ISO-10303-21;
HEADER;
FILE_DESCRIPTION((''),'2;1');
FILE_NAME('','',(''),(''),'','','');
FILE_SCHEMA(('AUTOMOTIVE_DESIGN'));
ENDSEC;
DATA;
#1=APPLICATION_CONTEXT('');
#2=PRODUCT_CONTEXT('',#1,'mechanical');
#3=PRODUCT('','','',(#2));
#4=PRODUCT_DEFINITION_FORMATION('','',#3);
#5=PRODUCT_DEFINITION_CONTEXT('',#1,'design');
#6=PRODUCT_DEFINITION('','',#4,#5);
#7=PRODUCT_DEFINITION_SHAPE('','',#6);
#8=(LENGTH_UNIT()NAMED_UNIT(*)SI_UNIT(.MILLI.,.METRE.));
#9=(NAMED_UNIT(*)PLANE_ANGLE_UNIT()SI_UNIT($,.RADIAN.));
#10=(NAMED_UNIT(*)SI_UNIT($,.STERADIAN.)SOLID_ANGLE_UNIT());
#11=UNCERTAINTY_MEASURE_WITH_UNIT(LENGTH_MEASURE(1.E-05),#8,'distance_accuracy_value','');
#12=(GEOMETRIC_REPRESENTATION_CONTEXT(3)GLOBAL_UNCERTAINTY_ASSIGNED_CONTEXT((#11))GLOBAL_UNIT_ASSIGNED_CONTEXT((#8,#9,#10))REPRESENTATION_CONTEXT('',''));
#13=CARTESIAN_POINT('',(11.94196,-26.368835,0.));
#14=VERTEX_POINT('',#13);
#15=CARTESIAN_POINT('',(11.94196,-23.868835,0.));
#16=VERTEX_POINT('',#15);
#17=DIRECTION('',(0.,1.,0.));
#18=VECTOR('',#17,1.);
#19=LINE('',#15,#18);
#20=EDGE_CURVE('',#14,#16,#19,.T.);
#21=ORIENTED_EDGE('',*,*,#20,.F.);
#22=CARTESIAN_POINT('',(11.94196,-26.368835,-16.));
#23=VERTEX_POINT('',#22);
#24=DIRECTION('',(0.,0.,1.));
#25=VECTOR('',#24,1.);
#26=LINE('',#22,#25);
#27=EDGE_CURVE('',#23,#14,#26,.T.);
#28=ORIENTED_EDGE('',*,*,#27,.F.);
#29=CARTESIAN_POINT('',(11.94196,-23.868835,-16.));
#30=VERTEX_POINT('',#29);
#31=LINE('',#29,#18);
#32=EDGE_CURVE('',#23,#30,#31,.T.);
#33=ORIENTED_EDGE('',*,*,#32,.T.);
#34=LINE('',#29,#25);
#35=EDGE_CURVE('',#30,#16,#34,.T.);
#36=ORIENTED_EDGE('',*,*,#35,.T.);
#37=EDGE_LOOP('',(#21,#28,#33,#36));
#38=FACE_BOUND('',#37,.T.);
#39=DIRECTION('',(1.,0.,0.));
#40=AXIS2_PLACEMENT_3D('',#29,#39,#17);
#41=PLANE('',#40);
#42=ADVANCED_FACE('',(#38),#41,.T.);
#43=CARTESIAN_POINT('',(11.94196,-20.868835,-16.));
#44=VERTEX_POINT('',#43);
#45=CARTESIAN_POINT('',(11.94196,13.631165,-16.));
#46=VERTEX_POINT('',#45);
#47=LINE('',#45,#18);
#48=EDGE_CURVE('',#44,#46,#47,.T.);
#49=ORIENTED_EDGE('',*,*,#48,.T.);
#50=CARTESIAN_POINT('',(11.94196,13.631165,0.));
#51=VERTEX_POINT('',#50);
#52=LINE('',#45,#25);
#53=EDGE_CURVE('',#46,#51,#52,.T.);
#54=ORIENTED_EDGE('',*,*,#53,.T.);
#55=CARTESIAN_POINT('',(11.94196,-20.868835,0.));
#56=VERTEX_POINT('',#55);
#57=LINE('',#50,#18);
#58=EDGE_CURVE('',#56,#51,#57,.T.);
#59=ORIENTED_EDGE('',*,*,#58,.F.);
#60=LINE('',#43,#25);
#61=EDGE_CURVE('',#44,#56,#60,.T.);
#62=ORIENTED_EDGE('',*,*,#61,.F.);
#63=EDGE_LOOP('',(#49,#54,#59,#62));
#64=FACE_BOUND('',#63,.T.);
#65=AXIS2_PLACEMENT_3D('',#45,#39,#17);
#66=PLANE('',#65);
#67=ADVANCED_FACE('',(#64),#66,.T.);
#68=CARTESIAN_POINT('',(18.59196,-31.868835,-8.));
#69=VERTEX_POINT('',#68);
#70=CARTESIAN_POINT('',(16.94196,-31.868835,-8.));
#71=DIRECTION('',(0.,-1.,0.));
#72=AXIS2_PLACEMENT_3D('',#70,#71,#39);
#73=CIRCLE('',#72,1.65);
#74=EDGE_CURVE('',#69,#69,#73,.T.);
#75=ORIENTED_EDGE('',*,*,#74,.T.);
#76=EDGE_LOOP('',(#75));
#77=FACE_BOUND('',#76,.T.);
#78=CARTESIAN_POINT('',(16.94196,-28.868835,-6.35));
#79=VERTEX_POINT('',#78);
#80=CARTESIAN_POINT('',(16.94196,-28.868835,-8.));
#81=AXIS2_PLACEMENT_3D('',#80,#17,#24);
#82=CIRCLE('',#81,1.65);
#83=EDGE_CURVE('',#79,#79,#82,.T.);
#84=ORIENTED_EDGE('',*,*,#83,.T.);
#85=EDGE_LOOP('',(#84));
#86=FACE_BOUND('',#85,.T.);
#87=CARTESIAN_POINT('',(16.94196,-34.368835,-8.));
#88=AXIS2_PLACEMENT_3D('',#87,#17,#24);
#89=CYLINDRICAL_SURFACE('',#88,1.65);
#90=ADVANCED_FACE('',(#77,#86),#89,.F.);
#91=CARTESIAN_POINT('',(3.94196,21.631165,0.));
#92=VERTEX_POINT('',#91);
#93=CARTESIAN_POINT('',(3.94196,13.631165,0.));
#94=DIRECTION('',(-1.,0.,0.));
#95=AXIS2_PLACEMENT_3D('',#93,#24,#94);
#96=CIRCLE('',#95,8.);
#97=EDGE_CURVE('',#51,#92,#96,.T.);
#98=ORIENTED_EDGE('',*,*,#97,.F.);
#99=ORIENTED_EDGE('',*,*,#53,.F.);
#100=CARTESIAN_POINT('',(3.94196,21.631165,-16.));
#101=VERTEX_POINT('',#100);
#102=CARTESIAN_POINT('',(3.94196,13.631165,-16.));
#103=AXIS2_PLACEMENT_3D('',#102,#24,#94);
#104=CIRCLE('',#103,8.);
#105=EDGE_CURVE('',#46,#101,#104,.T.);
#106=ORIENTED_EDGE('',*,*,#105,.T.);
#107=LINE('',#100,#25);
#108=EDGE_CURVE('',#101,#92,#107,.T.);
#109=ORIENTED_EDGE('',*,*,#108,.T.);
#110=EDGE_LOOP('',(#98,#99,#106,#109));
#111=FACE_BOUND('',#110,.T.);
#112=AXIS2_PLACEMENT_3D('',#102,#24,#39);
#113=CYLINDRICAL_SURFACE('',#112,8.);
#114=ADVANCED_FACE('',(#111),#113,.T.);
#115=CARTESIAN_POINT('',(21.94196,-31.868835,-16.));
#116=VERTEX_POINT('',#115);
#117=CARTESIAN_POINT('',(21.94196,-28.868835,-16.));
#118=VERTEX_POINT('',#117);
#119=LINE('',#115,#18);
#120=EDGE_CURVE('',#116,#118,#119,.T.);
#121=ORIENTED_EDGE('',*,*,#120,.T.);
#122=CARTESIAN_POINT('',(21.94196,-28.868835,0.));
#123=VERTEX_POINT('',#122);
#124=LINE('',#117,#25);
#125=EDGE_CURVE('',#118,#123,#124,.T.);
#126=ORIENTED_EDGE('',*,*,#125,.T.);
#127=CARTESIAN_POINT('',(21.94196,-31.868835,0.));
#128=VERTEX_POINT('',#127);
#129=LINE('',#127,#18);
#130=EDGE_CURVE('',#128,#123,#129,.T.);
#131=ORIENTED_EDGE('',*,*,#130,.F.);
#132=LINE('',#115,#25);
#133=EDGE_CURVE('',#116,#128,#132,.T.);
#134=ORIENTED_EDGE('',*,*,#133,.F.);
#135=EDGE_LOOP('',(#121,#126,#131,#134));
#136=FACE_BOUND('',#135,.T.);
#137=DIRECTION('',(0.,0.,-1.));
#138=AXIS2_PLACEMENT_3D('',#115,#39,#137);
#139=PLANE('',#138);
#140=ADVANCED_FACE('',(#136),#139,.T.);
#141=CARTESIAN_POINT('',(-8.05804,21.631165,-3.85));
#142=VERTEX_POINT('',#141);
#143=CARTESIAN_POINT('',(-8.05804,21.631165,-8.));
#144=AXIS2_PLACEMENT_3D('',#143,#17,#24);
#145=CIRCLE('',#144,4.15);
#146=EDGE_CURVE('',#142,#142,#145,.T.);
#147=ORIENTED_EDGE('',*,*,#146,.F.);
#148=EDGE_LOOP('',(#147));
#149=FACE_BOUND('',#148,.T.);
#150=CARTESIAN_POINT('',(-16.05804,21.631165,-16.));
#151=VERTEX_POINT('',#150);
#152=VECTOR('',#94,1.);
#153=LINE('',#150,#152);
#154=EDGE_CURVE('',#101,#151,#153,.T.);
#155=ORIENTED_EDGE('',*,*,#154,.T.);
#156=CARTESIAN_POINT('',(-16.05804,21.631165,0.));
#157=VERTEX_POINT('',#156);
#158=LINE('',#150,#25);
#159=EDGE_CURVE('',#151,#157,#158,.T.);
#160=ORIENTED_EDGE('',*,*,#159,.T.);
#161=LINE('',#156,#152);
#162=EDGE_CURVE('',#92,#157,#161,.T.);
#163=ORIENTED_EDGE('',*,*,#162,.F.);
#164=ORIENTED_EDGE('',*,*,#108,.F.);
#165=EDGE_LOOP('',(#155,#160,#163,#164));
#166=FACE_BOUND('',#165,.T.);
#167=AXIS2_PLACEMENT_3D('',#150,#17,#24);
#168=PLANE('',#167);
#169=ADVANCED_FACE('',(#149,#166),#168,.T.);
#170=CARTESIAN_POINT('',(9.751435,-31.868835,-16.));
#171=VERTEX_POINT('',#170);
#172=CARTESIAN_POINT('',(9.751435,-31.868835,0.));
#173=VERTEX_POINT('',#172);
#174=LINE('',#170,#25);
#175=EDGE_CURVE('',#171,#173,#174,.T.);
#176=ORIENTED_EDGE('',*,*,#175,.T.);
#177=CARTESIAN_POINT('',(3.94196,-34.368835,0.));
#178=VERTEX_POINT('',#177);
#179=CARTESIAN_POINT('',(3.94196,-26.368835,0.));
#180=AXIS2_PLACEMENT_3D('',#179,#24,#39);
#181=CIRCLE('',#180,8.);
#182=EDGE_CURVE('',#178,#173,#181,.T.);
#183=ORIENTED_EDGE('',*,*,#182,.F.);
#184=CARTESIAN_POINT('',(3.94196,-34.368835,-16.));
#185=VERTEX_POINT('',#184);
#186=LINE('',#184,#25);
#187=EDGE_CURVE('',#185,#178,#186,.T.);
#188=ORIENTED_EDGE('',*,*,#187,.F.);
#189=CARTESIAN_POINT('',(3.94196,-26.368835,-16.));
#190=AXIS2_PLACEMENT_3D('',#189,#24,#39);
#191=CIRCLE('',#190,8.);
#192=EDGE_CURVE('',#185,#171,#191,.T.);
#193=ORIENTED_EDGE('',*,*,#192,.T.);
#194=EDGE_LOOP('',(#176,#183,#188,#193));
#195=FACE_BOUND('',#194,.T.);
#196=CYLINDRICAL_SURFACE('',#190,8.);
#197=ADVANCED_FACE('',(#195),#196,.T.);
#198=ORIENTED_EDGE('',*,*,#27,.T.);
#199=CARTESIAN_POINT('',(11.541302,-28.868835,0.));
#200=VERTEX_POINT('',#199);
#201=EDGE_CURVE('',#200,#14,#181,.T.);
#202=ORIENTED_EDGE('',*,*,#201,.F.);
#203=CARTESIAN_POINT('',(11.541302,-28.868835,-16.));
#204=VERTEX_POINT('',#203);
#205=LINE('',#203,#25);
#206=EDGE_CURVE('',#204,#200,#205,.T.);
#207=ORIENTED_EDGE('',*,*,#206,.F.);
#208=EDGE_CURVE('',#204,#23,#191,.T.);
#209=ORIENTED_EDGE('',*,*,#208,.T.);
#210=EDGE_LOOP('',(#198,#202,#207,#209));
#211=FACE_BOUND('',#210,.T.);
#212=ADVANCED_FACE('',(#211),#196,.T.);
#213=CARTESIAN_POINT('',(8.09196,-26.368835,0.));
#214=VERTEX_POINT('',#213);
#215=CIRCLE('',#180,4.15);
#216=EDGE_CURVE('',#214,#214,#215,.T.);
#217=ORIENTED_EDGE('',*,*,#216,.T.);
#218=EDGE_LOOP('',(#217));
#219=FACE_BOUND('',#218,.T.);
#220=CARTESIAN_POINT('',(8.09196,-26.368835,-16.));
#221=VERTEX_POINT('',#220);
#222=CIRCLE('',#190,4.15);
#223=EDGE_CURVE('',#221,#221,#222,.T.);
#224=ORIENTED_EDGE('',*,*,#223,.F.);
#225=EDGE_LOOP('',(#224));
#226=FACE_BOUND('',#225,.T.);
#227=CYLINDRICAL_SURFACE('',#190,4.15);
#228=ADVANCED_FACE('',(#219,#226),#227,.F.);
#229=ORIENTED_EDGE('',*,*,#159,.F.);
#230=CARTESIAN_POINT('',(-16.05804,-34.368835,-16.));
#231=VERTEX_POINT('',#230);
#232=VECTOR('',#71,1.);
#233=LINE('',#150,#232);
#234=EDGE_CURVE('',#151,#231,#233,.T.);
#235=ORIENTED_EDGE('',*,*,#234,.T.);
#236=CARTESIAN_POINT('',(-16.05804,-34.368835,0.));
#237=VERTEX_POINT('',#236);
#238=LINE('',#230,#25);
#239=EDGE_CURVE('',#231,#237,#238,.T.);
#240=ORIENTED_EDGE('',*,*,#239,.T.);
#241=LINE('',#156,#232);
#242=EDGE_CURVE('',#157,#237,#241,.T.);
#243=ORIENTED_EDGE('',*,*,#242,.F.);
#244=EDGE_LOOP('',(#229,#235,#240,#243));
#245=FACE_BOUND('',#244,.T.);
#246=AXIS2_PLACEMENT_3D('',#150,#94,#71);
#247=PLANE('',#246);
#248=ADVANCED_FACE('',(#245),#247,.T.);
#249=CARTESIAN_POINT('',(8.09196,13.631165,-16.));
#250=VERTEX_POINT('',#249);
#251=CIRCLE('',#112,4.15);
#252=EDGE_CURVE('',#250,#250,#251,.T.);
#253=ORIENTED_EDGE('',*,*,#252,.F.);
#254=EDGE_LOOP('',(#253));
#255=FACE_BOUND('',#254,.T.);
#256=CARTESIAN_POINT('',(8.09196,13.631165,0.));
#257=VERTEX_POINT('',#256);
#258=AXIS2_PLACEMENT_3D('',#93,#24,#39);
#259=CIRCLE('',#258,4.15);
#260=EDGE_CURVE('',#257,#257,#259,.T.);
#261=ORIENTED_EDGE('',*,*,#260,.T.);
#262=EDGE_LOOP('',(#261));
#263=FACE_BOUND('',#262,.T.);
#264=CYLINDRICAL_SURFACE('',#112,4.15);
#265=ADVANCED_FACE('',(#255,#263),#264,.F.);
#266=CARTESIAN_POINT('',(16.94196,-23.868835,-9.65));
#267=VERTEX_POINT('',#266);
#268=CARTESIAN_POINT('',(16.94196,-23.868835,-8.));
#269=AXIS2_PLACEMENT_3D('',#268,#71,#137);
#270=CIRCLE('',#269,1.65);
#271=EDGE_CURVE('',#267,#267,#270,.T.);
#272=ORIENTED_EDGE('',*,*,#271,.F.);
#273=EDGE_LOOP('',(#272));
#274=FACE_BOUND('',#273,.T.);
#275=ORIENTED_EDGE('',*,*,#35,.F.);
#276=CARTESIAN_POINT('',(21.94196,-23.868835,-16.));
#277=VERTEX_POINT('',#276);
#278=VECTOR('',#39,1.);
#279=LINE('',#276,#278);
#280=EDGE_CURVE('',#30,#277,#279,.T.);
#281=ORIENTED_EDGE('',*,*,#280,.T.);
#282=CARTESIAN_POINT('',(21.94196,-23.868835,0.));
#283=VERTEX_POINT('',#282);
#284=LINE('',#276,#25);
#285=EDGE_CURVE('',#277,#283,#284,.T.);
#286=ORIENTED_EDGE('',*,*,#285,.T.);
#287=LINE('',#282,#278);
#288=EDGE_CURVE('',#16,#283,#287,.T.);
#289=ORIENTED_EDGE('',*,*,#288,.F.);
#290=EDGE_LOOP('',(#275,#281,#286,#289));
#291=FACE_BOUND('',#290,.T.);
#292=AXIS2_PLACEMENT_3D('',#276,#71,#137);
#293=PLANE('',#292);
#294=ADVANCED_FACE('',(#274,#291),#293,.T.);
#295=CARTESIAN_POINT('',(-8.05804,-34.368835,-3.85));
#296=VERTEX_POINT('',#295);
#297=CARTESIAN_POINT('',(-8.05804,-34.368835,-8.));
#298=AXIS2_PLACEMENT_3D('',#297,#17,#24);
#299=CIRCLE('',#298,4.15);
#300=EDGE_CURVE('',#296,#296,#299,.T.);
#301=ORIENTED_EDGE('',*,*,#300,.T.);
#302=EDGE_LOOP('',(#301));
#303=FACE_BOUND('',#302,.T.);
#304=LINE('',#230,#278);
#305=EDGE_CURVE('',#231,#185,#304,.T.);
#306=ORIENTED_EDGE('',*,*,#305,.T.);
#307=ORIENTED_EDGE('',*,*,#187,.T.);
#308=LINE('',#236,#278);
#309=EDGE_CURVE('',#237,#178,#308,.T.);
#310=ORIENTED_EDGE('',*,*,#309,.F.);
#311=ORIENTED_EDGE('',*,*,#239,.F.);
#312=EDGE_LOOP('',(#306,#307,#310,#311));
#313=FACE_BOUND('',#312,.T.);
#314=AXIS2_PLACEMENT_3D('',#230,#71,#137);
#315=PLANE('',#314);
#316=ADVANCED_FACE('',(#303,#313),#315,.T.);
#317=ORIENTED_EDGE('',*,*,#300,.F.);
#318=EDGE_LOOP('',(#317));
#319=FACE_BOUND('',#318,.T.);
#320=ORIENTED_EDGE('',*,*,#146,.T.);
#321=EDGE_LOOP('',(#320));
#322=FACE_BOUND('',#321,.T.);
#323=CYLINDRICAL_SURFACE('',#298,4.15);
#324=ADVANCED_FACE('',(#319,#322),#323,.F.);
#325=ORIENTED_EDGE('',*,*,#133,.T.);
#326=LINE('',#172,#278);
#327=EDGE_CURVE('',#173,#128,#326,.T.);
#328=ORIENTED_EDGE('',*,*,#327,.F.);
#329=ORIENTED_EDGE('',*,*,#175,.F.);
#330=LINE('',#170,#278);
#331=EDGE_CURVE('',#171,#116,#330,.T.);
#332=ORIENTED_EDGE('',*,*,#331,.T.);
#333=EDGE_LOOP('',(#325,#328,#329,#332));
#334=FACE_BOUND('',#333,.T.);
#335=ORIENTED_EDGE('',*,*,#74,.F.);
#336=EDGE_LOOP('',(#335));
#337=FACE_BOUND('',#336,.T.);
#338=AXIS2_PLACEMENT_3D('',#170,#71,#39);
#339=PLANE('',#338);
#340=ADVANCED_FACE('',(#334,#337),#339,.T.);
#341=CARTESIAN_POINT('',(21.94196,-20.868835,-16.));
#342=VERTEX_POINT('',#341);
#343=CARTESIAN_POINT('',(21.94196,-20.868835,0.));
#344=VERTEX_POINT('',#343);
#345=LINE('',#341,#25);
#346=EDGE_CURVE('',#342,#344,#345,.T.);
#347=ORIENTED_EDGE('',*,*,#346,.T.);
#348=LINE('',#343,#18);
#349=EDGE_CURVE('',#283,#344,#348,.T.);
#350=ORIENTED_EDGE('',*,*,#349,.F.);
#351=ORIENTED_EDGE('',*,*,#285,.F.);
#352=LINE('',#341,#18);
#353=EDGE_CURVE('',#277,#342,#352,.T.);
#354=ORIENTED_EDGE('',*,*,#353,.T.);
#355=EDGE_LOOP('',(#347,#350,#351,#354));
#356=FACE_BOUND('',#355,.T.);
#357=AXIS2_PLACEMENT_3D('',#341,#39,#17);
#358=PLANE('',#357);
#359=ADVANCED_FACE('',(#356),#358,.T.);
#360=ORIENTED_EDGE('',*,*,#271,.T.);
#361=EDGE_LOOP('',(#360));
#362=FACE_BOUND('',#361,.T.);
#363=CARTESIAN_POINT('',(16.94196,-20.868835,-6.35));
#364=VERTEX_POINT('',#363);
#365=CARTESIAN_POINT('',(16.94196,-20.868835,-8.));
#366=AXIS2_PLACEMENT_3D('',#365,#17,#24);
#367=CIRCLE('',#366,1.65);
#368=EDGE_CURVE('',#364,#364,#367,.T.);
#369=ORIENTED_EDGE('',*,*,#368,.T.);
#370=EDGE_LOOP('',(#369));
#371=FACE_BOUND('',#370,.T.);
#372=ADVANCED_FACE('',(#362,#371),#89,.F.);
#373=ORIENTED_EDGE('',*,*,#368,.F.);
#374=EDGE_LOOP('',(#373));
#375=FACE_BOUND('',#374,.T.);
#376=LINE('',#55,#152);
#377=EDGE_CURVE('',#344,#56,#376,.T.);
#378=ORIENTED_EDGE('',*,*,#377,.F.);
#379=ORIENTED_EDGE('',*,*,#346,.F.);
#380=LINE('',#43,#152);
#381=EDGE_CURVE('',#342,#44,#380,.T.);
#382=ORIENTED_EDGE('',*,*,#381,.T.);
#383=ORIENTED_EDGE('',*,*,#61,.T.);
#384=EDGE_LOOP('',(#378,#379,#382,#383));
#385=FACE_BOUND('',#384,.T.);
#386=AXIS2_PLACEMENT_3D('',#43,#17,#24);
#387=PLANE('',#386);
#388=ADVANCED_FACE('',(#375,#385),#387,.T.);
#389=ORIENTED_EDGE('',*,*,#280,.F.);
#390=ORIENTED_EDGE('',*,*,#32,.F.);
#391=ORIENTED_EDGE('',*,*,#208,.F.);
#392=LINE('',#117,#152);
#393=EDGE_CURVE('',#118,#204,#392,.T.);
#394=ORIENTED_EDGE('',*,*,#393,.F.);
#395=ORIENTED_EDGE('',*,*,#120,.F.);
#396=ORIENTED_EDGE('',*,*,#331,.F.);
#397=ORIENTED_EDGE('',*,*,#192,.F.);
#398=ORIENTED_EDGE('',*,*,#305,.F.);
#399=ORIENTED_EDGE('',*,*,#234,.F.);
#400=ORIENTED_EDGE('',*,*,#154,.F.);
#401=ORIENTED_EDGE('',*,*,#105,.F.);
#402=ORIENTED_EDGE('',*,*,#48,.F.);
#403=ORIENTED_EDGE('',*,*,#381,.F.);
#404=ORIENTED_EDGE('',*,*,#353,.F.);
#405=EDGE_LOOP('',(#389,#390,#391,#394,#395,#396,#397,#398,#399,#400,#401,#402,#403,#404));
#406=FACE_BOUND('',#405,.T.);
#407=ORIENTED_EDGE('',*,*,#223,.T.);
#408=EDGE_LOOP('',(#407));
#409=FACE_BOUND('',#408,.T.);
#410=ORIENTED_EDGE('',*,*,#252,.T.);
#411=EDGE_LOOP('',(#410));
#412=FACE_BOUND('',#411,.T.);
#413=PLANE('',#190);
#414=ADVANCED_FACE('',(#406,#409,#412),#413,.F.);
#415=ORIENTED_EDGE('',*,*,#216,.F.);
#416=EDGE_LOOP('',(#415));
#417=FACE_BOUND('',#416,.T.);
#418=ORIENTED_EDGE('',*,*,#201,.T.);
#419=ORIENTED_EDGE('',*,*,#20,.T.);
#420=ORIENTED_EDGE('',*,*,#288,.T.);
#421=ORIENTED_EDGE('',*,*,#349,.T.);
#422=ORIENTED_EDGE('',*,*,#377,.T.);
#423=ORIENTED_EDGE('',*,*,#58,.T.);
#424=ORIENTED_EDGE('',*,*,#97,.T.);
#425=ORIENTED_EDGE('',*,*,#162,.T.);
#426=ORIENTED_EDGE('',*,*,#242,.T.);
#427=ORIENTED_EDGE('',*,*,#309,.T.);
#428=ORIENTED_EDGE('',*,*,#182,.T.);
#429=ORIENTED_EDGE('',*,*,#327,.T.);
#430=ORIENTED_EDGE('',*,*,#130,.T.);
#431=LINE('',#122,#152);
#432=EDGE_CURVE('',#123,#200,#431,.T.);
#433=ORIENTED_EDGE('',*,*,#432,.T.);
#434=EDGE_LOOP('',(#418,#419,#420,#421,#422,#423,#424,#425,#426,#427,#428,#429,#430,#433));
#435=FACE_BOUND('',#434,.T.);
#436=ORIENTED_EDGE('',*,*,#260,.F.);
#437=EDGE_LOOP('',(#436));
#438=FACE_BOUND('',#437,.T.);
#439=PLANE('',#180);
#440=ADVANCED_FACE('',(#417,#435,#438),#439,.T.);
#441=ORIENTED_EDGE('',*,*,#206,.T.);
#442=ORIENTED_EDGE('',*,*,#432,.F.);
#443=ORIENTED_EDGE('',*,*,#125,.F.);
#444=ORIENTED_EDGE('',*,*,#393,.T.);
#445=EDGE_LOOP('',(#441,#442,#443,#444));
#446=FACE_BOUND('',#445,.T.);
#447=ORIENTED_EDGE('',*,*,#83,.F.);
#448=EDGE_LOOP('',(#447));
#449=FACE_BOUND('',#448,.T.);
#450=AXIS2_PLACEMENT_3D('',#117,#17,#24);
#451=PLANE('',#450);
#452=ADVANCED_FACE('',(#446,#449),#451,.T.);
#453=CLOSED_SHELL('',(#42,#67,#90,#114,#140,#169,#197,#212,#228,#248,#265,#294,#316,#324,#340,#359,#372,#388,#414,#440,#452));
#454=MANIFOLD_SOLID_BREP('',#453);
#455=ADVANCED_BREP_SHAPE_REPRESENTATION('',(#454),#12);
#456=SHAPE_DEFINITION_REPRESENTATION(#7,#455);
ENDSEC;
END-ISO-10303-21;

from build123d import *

# Parameters (mm, degrees)
SKETCH1_R           = 4.15
BOSS_EXTRUDE1_DEPTH = 16
SKETCH2_R           = 4.15
CUT_EXTRUDE1_DEPTH  = 63.237043653
SKETCH3_R           = 1.65
CUT_EXTRUDE2_DEPTH  = 51.435102881


with BuildPart() as part:
    # Sketch1 → Boss-Extrude1 (new body)
    with BuildSketch(Plane.XY):
        with BuildLine():
            Line((11.941959863, -20.868835105), (21.941959863, -20.868835105))
            Line((21.941959863, -20.868835105), (21.941959863, -23.868835105))
            Line((21.941959863, -23.868835105), (11.941959863, -23.868835105))
            Line((11.941959863, -23.868835105), (11.941959863, -26.368835105))
            ThreePointArc((11.941959863, -26.368835105), (11.841160348, -27.63478601), (11.541301939, -28.868835105))
            Line((11.541301939, -28.868835105), (21.941959863, -28.868835105))
            Line((21.941959863, -28.868835105), (21.941959863, -31.868835105))
            Line((21.941959863, -31.868835105), (9.751434882, -31.868835105))
            ThreePointArc((9.751434882, -31.868835105), (7.104237523, -33.717304334), (3.941959863, -34.368835105))
            Line((3.941959863, -34.368835105), (-16.058040137, -34.368835105))
            Line((-16.058040137, -34.368835105), (-16.058040137, 21.631164895))
            Line((-16.058040137, 21.631164895), (3.941959863, 21.631164895))
            ThreePointArc((3.941959863, 21.631164895), (9.598814112, 19.288019144), (11.941959863, 13.631164895))
            Line((11.941959863, 13.631164895), (11.941959863, -20.868835105))
        make_face()
        with Locations((3.941959863, 13.631164895)):
            Circle(SKETCH1_R, mode=Mode.SUBTRACT)
        with Locations((3.941959863, -26.368835105)):
            Circle(SKETCH1_R, mode=Mode.SUBTRACT)
    extrude(amount=-BOSS_EXTRUDE1_DEPTH)

    # Sketch2 → Cut-Extrude1 (cut, through all)
    with BuildSketch(Plane(origin=(0, 21.631164895, 0), x_dir=(1, 0, 0), z_dir=(0, 1, 0))):
        with Locations(Location((-8.058040137, 8, 0), (0, 0, 270))):
            Circle(SKETCH2_R)
    extrude(amount=-CUT_EXTRUDE1_DEPTH, mode=Mode.SUBTRACT)

    # Sketch3 → Cut-Extrude2 (cut, through all)
    with BuildSketch(Plane(origin=(0, -20.868835105, 0), x_dir=(1, 0, 0), z_dir=(0, 1, 0))):
        with Locations(Location((16.941959863, 8, 0), (0, 0, 270))):
            Circle(SKETCH3_R)
    extrude(amount=-CUT_EXTRUDE2_DEPTH, mode=Mode.SUBTRACT)


solid = part.part
